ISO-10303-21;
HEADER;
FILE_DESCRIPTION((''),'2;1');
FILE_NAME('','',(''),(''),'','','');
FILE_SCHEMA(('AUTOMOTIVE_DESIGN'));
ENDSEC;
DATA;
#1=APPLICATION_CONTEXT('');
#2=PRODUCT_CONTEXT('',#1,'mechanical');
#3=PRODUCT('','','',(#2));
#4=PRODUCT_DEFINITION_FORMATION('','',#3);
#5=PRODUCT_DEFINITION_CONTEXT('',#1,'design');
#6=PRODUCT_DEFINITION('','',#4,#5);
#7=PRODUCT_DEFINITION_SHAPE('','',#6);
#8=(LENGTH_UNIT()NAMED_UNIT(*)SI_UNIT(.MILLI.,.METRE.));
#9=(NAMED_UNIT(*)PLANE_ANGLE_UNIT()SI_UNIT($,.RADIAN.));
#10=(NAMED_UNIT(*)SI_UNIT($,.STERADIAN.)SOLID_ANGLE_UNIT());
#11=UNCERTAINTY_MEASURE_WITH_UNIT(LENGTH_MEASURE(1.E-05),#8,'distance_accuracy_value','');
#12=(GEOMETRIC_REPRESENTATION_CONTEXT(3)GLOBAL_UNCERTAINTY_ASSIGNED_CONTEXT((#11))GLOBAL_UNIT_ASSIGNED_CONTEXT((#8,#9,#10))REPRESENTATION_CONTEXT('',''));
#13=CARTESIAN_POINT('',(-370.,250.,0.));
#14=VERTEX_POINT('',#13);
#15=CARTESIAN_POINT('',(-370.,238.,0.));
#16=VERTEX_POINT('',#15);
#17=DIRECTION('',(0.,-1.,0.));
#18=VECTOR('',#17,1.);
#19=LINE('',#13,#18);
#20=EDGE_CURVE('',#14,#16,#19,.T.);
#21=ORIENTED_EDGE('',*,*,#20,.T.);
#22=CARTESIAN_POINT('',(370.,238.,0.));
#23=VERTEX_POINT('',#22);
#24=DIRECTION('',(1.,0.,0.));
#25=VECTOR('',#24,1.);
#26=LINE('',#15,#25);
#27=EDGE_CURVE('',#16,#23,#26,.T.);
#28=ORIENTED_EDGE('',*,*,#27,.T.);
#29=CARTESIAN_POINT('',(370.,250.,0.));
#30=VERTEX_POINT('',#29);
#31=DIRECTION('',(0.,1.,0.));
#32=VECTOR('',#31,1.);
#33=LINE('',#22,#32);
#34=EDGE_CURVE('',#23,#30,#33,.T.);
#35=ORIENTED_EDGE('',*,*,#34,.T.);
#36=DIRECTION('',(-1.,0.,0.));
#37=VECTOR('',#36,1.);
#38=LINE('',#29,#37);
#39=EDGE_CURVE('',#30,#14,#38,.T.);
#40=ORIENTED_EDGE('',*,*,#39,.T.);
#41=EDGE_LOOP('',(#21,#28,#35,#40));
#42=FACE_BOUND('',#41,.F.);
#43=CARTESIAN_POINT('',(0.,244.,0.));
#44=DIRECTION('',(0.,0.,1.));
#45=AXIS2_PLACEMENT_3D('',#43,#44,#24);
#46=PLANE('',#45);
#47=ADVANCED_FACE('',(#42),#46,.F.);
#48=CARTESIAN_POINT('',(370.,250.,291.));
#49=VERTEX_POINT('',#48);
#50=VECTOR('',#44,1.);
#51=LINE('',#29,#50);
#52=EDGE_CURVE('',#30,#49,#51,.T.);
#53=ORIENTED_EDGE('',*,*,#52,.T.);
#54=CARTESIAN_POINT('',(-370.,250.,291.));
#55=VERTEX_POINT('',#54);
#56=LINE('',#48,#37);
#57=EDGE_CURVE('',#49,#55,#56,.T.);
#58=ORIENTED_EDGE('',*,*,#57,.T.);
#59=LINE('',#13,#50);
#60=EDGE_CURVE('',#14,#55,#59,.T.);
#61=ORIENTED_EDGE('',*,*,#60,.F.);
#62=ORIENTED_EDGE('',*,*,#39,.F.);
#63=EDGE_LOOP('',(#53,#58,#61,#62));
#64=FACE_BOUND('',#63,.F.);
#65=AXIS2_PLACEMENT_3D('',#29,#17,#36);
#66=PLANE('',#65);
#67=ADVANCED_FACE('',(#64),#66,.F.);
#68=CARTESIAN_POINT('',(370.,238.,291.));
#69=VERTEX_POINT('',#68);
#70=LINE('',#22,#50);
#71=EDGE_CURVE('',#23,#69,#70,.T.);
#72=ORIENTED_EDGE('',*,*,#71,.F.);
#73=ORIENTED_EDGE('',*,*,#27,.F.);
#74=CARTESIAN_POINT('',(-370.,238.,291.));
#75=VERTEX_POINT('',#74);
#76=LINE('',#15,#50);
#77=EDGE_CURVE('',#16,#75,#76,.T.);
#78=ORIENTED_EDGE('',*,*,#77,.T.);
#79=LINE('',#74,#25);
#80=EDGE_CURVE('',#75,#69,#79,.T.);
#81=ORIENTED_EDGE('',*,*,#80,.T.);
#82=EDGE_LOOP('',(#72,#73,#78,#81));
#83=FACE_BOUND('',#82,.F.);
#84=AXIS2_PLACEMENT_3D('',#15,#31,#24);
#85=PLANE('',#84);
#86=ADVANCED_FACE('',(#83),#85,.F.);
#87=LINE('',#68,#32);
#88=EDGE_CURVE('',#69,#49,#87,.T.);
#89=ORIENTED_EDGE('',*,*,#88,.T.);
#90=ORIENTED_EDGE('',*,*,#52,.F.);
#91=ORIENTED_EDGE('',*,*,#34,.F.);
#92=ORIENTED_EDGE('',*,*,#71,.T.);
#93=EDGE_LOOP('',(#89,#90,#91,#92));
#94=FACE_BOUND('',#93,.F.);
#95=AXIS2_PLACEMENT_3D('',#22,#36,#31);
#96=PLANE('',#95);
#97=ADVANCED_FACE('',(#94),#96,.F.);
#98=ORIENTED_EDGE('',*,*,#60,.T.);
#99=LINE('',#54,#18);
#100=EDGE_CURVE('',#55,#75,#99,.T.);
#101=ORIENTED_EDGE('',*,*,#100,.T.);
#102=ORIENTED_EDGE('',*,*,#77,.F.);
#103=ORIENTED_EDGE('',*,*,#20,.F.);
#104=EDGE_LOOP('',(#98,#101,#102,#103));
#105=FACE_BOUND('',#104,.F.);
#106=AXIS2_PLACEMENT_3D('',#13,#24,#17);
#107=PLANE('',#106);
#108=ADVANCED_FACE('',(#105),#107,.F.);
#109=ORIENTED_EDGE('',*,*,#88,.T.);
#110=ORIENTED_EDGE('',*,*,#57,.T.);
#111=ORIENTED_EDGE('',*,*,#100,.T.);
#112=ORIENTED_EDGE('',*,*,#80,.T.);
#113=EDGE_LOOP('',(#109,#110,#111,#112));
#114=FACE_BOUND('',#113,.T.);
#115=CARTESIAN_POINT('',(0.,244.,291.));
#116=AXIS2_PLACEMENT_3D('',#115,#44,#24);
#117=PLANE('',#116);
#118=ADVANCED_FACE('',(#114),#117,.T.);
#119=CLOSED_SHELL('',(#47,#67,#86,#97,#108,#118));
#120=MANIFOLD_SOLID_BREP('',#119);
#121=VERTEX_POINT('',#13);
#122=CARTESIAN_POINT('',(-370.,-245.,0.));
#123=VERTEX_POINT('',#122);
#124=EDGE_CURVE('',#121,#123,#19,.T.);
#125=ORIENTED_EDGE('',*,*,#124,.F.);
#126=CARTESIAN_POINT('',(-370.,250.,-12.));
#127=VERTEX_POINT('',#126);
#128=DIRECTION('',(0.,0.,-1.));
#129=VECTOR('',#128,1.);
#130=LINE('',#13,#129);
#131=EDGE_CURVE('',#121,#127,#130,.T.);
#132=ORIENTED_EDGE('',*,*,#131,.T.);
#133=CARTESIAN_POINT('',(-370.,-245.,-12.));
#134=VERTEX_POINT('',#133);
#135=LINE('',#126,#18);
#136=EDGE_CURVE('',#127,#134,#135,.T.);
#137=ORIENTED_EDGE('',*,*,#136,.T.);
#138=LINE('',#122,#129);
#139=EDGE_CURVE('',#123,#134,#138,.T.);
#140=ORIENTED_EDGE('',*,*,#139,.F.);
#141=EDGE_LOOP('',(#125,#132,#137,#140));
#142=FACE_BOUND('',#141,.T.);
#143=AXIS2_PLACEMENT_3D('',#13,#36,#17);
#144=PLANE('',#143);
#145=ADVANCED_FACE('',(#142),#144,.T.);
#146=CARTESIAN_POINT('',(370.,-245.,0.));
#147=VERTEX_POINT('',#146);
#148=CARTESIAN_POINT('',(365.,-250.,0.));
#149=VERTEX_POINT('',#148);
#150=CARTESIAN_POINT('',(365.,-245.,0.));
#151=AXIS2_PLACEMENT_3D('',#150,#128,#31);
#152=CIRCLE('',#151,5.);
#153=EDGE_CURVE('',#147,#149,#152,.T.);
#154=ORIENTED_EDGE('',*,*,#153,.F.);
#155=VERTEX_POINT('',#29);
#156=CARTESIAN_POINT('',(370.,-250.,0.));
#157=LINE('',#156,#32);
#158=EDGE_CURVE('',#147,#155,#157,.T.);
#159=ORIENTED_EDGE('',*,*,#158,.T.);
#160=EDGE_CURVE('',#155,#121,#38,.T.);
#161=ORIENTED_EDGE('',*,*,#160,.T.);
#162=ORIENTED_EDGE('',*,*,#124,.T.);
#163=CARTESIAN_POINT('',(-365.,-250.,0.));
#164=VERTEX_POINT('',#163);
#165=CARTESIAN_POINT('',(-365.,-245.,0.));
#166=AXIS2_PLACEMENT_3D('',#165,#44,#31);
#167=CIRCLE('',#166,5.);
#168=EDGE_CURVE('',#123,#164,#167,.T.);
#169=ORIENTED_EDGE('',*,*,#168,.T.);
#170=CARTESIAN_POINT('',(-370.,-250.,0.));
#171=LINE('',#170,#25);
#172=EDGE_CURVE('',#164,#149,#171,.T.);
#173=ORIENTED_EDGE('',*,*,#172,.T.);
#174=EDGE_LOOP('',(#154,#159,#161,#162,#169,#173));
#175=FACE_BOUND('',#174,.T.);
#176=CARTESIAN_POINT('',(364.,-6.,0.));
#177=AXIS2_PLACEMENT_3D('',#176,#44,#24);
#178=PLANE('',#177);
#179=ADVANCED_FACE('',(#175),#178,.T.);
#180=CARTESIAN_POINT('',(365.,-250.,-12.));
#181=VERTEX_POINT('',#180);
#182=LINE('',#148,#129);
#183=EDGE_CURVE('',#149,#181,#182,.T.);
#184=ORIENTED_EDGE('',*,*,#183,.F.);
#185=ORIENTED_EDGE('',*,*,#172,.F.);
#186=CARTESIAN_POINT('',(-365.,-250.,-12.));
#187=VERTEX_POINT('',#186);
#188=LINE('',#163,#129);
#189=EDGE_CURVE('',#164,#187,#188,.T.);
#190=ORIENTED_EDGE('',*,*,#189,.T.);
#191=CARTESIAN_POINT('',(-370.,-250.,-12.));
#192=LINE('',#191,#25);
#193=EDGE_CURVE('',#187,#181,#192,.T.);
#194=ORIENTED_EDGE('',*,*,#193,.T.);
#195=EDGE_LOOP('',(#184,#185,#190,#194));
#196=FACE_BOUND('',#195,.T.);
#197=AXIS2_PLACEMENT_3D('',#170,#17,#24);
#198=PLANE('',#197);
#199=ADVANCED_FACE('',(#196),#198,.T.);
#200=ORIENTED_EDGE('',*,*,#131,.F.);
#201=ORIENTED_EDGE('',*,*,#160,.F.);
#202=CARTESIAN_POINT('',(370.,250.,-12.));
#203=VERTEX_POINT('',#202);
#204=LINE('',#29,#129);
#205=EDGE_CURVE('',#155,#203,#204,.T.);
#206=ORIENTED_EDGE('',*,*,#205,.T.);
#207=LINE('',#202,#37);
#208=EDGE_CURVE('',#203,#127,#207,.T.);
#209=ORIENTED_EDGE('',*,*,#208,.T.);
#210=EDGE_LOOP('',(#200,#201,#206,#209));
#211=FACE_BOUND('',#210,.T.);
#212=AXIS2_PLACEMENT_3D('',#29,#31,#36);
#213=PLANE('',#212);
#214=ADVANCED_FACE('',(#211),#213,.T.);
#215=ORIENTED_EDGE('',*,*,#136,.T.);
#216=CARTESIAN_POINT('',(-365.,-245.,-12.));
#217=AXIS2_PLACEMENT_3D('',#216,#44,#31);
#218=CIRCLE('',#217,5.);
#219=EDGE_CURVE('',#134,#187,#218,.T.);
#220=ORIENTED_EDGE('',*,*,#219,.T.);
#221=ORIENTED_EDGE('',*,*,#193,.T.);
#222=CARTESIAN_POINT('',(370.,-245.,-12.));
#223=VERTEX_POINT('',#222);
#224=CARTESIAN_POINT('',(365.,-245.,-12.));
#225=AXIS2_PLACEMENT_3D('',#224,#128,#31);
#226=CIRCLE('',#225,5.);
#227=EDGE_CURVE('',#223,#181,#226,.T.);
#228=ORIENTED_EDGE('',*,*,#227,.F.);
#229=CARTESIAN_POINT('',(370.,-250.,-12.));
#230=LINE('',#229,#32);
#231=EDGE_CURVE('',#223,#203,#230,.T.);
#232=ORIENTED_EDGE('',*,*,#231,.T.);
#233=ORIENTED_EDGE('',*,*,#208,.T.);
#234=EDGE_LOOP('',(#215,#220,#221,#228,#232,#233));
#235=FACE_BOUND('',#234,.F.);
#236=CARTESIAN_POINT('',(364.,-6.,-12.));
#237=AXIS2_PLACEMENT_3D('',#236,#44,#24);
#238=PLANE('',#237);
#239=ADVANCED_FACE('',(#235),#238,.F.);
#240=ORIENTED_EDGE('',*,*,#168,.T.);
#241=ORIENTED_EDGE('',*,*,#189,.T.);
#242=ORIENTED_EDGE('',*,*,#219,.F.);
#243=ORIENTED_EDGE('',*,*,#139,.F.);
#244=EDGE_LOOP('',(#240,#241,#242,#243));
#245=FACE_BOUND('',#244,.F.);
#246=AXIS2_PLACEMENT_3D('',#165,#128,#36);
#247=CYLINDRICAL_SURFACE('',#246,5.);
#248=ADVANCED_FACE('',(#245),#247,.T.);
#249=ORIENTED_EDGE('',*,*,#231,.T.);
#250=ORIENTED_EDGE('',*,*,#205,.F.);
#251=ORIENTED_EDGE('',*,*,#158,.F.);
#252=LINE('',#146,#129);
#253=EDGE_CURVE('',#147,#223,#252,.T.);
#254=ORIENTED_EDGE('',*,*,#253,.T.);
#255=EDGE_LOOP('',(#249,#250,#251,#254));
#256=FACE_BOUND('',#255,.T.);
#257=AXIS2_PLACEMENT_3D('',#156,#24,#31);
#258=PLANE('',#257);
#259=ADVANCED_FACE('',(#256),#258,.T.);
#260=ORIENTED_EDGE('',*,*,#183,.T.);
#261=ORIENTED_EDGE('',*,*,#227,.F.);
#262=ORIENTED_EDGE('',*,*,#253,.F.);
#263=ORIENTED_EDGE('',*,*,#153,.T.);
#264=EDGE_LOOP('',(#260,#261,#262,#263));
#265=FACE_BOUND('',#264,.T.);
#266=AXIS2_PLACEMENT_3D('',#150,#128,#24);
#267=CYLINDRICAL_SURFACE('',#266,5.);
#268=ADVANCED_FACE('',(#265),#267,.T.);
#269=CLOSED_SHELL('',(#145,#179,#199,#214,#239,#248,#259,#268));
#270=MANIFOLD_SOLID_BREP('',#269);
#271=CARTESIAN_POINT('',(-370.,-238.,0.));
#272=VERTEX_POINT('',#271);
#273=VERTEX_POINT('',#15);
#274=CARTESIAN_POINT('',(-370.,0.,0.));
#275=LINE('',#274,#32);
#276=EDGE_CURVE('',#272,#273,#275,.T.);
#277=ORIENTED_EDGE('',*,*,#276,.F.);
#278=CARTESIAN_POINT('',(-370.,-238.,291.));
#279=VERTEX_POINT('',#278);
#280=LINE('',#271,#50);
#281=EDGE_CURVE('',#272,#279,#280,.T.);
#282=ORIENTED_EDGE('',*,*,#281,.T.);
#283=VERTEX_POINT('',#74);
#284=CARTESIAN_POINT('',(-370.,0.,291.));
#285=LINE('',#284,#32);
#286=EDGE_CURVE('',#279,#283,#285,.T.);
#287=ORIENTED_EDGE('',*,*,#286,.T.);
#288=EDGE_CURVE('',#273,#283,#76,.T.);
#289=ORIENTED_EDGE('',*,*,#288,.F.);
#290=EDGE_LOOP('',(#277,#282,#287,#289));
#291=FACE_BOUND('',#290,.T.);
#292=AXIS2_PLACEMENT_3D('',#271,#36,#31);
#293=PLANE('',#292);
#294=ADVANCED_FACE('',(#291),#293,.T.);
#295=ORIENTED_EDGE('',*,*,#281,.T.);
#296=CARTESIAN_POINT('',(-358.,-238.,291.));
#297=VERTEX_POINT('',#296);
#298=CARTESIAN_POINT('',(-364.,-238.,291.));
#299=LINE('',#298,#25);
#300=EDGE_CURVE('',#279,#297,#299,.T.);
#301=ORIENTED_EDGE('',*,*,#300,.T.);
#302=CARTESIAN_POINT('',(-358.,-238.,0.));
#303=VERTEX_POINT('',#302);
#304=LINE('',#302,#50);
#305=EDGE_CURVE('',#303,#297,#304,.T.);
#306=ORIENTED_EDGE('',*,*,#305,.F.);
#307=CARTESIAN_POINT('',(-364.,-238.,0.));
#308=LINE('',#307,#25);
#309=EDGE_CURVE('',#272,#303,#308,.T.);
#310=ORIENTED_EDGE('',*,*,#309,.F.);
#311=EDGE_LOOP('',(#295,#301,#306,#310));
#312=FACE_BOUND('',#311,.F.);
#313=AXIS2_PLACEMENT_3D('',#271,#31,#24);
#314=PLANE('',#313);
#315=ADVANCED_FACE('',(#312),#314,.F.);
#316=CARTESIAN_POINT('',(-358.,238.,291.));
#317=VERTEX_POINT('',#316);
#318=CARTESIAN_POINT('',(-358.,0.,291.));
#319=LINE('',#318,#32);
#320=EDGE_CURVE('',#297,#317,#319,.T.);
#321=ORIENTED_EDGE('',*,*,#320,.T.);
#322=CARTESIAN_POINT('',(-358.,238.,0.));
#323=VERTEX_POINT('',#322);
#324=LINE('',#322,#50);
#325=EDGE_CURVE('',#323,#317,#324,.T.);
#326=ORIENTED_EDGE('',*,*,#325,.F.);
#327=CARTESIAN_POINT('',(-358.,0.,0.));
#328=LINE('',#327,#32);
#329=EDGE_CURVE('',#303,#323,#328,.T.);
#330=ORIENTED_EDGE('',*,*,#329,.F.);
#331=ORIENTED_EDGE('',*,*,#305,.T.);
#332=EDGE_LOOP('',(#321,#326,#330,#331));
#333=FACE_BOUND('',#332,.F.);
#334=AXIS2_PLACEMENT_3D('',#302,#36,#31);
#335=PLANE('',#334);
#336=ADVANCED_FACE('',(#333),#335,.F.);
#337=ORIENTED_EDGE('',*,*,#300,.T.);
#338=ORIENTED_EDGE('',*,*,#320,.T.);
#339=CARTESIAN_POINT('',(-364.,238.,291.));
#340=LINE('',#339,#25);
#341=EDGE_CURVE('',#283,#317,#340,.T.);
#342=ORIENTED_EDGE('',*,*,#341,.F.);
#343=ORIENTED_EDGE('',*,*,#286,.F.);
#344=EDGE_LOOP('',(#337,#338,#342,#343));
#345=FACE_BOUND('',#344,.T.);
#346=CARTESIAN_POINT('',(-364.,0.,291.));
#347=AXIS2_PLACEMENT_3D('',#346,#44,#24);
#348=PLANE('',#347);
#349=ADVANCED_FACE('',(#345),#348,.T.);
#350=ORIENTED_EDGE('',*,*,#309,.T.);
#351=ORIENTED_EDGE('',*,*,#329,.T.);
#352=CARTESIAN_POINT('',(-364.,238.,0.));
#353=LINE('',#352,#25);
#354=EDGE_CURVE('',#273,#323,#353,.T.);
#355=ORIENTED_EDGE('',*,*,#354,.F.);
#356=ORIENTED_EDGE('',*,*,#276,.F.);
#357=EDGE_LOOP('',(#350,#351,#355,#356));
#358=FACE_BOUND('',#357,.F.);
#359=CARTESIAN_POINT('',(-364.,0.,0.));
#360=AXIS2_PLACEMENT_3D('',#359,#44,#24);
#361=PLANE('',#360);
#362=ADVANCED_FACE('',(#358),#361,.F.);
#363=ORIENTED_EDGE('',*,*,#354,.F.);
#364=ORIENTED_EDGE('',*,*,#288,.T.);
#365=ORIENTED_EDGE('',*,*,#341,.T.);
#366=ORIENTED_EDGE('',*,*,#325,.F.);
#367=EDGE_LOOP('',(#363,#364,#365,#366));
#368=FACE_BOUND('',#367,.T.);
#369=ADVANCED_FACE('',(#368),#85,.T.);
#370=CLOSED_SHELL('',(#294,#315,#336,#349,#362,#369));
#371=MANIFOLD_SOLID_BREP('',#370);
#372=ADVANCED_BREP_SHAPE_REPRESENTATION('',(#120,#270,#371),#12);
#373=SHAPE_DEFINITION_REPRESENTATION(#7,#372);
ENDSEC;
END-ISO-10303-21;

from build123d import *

# Parameters (mm, degrees)
F0_W     = 12
F0_H     = 488
F0_H_2   = 12
F0_H_3   = 476
F1_DEPTH = 12
F2_DEPTH = 291
F3_DEPTH = 291
F4_R     = 5


with BuildPart() as f1:
    # F0 (on Top) → F1 (new body)
    with BuildSketch(Plane.XY):
        with Locations((364, -6)):
            Rectangle(F0_W, F0_H)
        Polygon((-358, -250), (358, -250), (358, 238), (-358, 238), (-358, -238), align=None)
        Polygon((358, 238), (370, 238), (370, 250), (-370, 250), (-370, 238), (-358, 238), align=None)
        with Locations((-364, -244)):
            Rectangle(F0_W, F0_H_2)
        with Locations((-364, 0)):
            Rectangle(F0_W, F0_H_3)
    extrude(amount=-F1_DEPTH)

    # F4
    f4_edges = [f1.edges().sort_by_distance(p)[0] for p in [
        (370, -250, -6),
        (-370, -250, -6),
    ]]
    fillet(f4_edges, radius=F4_R)


with BuildPart() as f2:
    # F0 (on Top) → F2 (new body)
    with BuildSketch(Plane.XY):
        Polygon((358, 238), (370, 238), (370, 250), (-370, 250), (-370, 238), (-358, 238), align=None)
    extrude(amount=F2_DEPTH)


with BuildPart() as f3:
    # F0 (on Top) → F3 (new body)
    with BuildSketch(Plane.XY):
        with Locations((-364, 0)):
            Rectangle(F0_W, F0_H_3)
    extrude(amount=F3_DEPTH)


solid = Compound([f1.part, f2.part, f3.part])
